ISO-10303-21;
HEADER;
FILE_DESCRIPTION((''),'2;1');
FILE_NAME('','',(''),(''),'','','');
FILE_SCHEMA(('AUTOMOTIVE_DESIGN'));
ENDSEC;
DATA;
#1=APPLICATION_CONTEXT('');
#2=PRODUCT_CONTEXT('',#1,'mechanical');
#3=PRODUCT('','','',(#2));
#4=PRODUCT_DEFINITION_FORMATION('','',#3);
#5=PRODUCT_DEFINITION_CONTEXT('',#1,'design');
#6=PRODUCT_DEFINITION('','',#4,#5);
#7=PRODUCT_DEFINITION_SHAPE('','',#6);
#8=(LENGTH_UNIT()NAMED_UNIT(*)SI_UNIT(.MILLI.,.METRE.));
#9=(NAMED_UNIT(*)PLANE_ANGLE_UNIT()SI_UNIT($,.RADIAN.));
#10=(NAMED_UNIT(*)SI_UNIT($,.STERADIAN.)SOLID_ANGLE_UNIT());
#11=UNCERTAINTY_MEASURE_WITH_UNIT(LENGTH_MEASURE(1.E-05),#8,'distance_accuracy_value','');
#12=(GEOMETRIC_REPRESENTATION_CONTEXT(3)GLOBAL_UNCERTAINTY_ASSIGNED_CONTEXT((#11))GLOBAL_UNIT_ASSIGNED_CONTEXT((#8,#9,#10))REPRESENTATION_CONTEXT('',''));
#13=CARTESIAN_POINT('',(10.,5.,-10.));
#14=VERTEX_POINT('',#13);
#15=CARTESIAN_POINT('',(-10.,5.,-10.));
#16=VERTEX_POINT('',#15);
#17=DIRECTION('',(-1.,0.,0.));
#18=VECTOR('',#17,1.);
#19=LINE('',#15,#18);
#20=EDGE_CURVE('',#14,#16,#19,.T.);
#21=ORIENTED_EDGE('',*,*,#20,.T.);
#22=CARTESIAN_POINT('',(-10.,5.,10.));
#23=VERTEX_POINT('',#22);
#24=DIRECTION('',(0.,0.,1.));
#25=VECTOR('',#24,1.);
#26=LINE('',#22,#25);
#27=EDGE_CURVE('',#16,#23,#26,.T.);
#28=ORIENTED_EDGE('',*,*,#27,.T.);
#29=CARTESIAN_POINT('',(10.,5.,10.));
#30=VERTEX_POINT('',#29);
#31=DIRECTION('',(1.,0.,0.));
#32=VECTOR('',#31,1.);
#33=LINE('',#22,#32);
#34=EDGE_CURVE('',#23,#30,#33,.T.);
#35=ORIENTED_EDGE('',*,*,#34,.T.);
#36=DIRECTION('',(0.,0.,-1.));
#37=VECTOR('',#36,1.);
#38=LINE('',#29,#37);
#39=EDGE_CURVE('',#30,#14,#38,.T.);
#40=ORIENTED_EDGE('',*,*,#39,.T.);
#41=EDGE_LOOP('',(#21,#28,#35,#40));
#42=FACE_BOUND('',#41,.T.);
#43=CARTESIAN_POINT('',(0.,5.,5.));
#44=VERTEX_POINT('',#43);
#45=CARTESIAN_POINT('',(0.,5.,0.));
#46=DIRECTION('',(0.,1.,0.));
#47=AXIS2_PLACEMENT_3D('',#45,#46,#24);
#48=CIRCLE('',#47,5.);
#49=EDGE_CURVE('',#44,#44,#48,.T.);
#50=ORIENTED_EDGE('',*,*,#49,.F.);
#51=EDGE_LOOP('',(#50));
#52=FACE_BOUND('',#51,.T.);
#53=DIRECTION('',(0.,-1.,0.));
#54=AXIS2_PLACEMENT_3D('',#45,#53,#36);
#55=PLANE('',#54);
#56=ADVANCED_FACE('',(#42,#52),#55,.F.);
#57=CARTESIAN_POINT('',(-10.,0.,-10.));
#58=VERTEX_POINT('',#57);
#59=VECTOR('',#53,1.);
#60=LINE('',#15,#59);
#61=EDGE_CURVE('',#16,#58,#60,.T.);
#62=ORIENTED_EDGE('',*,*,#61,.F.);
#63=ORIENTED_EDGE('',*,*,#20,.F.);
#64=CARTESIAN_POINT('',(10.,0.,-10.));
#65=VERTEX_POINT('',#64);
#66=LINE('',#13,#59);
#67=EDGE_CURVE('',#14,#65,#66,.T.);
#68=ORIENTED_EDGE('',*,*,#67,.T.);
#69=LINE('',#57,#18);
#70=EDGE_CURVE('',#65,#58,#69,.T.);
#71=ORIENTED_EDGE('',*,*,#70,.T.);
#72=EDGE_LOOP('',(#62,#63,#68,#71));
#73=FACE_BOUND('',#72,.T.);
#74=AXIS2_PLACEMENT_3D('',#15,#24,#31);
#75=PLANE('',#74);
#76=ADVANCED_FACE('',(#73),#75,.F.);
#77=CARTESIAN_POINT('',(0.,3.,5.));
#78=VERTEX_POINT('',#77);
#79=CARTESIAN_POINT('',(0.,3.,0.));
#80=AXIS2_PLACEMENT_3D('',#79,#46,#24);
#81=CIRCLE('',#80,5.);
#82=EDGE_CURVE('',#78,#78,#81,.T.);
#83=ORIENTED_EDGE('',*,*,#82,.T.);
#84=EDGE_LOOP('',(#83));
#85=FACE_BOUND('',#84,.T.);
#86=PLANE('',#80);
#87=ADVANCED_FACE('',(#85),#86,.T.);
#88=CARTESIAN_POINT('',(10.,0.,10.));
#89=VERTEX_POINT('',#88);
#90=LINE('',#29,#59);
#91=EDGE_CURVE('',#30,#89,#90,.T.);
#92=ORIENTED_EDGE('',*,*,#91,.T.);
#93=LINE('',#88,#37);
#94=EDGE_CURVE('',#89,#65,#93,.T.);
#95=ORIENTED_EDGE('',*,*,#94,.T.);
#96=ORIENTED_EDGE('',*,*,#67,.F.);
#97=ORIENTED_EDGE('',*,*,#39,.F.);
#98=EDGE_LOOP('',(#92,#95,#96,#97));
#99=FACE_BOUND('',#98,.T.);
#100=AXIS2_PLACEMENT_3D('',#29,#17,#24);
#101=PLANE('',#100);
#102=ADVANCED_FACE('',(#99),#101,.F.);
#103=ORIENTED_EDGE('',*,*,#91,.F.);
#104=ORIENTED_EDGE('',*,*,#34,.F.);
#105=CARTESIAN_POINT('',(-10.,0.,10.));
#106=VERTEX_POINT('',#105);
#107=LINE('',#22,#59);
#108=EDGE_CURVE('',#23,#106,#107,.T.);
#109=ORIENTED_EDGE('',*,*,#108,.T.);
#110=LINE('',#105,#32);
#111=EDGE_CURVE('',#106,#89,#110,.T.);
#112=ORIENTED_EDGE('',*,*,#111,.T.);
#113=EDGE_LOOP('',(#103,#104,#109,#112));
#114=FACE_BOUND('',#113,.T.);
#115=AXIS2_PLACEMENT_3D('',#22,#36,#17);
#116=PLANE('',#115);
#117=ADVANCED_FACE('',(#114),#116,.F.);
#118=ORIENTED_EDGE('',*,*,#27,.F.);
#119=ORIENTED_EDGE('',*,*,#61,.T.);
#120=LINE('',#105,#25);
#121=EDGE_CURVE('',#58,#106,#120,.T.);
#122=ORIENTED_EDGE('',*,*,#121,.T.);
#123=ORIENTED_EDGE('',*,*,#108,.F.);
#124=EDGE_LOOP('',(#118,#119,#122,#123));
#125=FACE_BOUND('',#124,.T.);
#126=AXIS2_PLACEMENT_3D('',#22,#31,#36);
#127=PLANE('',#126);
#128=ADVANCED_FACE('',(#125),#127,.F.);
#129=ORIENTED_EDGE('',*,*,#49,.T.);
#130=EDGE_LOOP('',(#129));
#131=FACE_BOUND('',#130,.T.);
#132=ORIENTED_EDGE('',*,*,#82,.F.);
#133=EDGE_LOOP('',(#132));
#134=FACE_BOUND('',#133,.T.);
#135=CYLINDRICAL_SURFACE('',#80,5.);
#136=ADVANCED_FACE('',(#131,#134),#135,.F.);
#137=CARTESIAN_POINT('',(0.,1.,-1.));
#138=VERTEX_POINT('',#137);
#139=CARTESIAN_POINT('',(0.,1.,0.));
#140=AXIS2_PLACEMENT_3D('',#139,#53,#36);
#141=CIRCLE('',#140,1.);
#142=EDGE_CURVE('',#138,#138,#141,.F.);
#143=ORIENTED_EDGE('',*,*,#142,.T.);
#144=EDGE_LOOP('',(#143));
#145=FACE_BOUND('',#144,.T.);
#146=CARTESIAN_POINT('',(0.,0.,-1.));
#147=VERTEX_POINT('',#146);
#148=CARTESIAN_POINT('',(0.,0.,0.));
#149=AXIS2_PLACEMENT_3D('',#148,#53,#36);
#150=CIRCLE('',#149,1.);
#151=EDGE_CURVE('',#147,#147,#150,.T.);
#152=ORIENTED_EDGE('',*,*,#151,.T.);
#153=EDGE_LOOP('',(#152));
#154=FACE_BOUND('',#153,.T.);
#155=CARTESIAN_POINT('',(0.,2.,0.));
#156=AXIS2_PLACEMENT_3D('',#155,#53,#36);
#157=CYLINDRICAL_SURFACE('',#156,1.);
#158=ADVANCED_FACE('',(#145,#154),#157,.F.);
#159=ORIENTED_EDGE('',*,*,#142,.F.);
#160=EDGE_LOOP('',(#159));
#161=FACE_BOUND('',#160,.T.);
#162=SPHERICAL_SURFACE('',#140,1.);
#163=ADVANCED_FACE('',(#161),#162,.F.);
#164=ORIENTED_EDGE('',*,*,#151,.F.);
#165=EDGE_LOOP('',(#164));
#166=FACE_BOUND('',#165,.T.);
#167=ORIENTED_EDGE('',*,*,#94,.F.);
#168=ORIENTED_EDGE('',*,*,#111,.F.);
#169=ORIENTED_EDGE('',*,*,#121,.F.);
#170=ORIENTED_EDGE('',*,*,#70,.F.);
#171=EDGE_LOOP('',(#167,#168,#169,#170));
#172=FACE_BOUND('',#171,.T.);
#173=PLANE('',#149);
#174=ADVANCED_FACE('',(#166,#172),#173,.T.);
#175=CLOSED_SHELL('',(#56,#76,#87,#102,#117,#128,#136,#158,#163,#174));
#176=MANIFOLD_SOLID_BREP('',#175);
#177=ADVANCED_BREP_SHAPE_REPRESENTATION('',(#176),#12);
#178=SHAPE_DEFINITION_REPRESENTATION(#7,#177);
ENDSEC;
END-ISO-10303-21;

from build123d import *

# Parameters (mm, degrees)
SKETCH1_W           = 20
SKETCH1_H           = 20
BOSS_EXTRUDE1_DEPTH = 5
SKETCH2_R           = 5
CUT_EXTRUDE1_DEPTH  = 2
SKETCH3_R           = 1
CUT_EXTRUDE2_DEPTH  = 2
FILLET1_R           = 1


with BuildPart() as part:
    # Sketch1 → Boss-Extrude1 (new body)
    with BuildSketch(Plane(origin=(0, 0, 0), x_dir=(1, 0, 0), z_dir=(0, 1, 0))):
        Rectangle(SKETCH1_W, SKETCH1_H)
    extrude(amount=BOSS_EXTRUDE1_DEPTH)

    # Sketch2 → Cut-Extrude1 (cut)
    with BuildSketch(Plane(origin=(0, 5, 0), x_dir=(1, 0, 0), z_dir=(0, 1, 0))):
        Circle(SKETCH2_R)
    extrude(amount=-CUT_EXTRUDE1_DEPTH, mode=Mode.SUBTRACT)

    # Sketch3 → Cut-Extrude2 (cut)
    with BuildSketch(Plane.XZ):
        Circle(SKETCH3_R)
    extrude(amount=-CUT_EXTRUDE2_DEPTH, mode=Mode.SUBTRACT)

    # Fillet1
    fillet1_edges = [part.edges().sort_by_distance(p)[0] for p in [
        (-1, 2, 0),
    ]]
    fillet(fillet1_edges, radius=FILLET1_R)


solid = part.part
